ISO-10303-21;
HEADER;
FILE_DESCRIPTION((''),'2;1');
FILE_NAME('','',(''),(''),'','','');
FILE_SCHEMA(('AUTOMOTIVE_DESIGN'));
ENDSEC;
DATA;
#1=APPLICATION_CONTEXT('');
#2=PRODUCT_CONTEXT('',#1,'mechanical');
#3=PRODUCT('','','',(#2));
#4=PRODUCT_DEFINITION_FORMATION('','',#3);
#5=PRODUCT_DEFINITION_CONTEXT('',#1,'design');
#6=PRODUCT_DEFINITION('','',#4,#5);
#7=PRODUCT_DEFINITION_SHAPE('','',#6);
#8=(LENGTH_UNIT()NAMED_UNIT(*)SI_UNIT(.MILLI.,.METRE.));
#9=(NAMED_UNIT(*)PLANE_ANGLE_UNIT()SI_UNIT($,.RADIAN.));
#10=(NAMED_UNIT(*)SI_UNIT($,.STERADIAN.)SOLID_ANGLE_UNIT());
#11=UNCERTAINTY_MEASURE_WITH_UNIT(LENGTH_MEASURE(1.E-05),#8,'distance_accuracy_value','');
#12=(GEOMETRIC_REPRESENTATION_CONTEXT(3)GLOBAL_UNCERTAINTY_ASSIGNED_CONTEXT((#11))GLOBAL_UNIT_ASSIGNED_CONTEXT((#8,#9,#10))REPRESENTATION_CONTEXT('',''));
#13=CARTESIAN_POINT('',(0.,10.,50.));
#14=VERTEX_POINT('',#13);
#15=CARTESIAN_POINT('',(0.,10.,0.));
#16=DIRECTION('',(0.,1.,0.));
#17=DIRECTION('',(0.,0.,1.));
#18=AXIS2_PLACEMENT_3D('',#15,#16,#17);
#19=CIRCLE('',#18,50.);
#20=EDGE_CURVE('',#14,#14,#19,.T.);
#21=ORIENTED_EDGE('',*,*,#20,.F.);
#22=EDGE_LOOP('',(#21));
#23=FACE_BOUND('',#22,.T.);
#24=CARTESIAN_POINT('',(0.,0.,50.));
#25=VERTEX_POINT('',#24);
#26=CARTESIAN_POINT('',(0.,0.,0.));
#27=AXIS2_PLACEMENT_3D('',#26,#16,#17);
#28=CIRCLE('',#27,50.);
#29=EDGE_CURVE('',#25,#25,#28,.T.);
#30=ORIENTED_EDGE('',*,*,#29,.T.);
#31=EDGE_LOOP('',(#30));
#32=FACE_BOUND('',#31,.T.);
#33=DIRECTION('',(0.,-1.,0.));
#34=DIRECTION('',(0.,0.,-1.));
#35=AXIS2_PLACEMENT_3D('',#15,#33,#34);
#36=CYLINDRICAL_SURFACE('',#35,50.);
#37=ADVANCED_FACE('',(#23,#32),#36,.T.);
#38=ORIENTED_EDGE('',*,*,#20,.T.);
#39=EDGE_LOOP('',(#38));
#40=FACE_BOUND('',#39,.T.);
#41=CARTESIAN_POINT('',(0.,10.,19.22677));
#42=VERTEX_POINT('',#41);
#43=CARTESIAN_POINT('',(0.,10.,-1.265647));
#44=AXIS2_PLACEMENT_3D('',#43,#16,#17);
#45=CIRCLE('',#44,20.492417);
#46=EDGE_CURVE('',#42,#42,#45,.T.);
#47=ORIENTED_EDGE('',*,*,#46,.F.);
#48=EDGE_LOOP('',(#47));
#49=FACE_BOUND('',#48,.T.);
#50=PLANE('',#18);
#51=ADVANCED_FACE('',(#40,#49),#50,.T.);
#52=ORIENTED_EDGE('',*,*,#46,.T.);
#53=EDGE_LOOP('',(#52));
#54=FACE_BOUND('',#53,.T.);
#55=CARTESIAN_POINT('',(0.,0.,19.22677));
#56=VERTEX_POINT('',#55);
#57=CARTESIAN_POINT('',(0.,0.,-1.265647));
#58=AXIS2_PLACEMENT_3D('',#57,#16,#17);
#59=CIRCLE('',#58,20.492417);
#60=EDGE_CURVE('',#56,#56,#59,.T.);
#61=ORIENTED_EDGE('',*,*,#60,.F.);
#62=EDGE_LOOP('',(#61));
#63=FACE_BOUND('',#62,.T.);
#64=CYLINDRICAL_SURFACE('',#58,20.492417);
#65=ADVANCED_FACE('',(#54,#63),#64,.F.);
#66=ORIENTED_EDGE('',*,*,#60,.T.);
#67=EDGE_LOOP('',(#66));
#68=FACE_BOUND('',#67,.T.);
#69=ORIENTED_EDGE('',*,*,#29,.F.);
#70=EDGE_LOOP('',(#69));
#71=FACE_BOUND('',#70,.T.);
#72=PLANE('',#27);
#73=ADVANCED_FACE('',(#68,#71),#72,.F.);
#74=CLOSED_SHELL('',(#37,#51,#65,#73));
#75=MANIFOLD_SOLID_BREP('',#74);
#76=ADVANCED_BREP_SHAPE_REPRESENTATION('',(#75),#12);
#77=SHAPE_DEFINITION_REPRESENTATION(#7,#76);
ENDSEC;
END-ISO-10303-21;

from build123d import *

# Parameters (mm, degrees)
SKETCH1_R           = 50
BOSS_EXTRUDE1_DEPTH = 10
SKETCH2_R           = 20.492416953
CUT_EXTRUDE1_DEPTH  = 72.414284285


with BuildPart() as part:
    # Sketch1 → Boss-Extrude1 (new body)
    with BuildSketch(Plane(origin=(0, 0, 0), x_dir=(1, 0, 0), z_dir=(0, 1, 0))):
        with Locations(Location((0, 0, 0), (0, 0, 270))):
            Circle(SKETCH1_R)
    extrude(amount=BOSS_EXTRUDE1_DEPTH)

    # Sketch2 → Cut-Extrude1 (cut, through all)
    with BuildSketch(Plane(origin=(0, 10, 0), x_dir=(1, 0, 0), z_dir=(0, 1, 0))):
        with Locations(Location((0, 1.265646581, 0), (0, 0, 270))):
            Circle(SKETCH2_R)
    extrude(amount=-CUT_EXTRUDE1_DEPTH, mode=Mode.SUBTRACT)


solid = part.part
